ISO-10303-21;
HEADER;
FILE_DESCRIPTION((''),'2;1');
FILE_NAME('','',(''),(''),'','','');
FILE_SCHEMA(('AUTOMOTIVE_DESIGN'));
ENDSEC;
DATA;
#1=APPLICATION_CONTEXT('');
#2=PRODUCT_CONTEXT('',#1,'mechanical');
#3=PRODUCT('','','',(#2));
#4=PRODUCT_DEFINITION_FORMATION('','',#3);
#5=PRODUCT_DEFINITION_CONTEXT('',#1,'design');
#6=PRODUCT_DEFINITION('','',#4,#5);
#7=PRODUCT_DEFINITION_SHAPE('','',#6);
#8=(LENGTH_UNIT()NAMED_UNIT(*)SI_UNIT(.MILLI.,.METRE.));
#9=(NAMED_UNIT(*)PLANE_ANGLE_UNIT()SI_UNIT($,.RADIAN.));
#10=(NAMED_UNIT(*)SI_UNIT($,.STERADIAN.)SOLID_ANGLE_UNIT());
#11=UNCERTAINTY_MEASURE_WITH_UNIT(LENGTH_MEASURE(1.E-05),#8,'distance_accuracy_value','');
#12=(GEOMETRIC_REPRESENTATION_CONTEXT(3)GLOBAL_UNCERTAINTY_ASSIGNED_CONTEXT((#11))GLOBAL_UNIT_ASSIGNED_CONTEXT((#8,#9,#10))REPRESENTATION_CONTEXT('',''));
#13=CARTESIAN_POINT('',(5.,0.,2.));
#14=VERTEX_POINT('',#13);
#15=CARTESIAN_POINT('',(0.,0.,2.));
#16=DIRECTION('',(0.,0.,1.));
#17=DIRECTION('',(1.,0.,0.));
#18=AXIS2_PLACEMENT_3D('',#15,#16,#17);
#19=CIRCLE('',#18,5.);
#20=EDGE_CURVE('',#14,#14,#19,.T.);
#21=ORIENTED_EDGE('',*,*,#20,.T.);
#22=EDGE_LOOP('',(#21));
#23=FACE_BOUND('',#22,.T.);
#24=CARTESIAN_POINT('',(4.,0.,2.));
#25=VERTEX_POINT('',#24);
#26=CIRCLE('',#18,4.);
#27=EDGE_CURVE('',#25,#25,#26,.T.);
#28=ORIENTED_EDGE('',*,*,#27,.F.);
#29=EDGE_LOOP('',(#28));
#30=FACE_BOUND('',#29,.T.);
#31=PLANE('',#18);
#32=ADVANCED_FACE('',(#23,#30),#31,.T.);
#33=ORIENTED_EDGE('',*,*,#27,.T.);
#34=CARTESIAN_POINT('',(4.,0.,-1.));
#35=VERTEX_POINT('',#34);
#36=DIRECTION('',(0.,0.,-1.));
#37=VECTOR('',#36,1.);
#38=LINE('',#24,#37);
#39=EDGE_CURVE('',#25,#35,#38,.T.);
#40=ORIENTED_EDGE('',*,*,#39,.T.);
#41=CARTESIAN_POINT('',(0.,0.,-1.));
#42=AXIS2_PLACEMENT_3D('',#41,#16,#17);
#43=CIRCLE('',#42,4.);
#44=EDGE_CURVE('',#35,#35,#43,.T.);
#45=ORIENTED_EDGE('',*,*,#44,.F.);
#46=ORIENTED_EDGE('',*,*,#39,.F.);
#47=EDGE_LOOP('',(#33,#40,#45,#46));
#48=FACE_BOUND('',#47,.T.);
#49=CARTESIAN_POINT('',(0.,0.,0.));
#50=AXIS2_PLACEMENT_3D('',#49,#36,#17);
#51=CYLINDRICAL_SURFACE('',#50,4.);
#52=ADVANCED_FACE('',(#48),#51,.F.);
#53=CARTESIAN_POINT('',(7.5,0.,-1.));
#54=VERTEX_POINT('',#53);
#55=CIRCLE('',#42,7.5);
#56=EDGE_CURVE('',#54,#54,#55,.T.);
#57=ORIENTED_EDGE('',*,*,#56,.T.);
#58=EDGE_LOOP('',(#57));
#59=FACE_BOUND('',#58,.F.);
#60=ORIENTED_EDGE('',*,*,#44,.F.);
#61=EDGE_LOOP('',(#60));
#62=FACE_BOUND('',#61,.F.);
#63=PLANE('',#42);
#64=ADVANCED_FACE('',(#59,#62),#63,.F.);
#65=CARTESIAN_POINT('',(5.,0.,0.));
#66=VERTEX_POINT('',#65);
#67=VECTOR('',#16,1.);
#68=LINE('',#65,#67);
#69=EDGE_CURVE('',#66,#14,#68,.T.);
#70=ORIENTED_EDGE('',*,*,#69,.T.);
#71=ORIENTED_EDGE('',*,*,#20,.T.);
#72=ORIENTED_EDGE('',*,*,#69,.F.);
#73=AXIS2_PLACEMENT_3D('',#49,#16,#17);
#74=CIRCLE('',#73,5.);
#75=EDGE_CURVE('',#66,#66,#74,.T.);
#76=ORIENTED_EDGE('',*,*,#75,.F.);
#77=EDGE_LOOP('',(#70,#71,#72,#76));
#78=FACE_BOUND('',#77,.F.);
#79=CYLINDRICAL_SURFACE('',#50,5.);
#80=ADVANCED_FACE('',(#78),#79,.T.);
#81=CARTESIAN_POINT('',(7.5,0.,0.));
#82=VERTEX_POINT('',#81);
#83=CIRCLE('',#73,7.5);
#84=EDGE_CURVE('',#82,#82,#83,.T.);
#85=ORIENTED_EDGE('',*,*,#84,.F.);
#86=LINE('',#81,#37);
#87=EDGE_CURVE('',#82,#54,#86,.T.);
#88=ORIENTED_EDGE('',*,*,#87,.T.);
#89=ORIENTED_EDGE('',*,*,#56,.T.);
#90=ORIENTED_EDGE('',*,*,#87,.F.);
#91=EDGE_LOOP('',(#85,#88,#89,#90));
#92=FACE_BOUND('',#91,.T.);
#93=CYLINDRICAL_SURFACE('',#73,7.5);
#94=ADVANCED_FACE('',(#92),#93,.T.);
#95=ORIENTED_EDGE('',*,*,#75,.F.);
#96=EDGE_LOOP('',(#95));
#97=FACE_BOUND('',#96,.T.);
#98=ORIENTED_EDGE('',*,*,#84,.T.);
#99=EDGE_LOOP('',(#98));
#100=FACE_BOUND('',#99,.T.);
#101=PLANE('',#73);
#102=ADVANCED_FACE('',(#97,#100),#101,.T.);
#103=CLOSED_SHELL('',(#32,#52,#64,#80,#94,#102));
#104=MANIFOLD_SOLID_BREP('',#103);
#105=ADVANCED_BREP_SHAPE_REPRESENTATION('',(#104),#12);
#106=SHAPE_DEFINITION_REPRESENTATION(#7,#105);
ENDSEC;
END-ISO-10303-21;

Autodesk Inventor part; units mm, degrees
ref_plane "YZ Plane" through (0, 0, 0) normal (1, 0, 0) x (0, 1, 0)
ref_plane "XZ Plane" through (0, 0, 0) normal (0, 1, 0) x (-1, 0, 0)
ref_plane "XY Plane" through (0, 0, 0) normal (0, 0, 1) x (1, 0, 0)
sketch "スケッチ1" plane through (0, 0, 0) normal (0, 0, 1) x (1, 0, 0)
  circle A0 centre (0, 0) radius 4
  circle A1 centre (0, 0) radius 5
  circle A2 centre (0, 0) radius 7.5
  dimension "d0" = 8
  dimension "d1" = 10
  dimension "d2" = 15
extrude "押し出し1" add sketch "スケッチ1" along normal blind 2 contours A1
extrude "押し出し2" add sketch "スケッチ1" against normal blind 1 contours A1 | A2
properties part number "ドライメットブッシュ 内径8フランジ付き 2mm" material "鋼"
